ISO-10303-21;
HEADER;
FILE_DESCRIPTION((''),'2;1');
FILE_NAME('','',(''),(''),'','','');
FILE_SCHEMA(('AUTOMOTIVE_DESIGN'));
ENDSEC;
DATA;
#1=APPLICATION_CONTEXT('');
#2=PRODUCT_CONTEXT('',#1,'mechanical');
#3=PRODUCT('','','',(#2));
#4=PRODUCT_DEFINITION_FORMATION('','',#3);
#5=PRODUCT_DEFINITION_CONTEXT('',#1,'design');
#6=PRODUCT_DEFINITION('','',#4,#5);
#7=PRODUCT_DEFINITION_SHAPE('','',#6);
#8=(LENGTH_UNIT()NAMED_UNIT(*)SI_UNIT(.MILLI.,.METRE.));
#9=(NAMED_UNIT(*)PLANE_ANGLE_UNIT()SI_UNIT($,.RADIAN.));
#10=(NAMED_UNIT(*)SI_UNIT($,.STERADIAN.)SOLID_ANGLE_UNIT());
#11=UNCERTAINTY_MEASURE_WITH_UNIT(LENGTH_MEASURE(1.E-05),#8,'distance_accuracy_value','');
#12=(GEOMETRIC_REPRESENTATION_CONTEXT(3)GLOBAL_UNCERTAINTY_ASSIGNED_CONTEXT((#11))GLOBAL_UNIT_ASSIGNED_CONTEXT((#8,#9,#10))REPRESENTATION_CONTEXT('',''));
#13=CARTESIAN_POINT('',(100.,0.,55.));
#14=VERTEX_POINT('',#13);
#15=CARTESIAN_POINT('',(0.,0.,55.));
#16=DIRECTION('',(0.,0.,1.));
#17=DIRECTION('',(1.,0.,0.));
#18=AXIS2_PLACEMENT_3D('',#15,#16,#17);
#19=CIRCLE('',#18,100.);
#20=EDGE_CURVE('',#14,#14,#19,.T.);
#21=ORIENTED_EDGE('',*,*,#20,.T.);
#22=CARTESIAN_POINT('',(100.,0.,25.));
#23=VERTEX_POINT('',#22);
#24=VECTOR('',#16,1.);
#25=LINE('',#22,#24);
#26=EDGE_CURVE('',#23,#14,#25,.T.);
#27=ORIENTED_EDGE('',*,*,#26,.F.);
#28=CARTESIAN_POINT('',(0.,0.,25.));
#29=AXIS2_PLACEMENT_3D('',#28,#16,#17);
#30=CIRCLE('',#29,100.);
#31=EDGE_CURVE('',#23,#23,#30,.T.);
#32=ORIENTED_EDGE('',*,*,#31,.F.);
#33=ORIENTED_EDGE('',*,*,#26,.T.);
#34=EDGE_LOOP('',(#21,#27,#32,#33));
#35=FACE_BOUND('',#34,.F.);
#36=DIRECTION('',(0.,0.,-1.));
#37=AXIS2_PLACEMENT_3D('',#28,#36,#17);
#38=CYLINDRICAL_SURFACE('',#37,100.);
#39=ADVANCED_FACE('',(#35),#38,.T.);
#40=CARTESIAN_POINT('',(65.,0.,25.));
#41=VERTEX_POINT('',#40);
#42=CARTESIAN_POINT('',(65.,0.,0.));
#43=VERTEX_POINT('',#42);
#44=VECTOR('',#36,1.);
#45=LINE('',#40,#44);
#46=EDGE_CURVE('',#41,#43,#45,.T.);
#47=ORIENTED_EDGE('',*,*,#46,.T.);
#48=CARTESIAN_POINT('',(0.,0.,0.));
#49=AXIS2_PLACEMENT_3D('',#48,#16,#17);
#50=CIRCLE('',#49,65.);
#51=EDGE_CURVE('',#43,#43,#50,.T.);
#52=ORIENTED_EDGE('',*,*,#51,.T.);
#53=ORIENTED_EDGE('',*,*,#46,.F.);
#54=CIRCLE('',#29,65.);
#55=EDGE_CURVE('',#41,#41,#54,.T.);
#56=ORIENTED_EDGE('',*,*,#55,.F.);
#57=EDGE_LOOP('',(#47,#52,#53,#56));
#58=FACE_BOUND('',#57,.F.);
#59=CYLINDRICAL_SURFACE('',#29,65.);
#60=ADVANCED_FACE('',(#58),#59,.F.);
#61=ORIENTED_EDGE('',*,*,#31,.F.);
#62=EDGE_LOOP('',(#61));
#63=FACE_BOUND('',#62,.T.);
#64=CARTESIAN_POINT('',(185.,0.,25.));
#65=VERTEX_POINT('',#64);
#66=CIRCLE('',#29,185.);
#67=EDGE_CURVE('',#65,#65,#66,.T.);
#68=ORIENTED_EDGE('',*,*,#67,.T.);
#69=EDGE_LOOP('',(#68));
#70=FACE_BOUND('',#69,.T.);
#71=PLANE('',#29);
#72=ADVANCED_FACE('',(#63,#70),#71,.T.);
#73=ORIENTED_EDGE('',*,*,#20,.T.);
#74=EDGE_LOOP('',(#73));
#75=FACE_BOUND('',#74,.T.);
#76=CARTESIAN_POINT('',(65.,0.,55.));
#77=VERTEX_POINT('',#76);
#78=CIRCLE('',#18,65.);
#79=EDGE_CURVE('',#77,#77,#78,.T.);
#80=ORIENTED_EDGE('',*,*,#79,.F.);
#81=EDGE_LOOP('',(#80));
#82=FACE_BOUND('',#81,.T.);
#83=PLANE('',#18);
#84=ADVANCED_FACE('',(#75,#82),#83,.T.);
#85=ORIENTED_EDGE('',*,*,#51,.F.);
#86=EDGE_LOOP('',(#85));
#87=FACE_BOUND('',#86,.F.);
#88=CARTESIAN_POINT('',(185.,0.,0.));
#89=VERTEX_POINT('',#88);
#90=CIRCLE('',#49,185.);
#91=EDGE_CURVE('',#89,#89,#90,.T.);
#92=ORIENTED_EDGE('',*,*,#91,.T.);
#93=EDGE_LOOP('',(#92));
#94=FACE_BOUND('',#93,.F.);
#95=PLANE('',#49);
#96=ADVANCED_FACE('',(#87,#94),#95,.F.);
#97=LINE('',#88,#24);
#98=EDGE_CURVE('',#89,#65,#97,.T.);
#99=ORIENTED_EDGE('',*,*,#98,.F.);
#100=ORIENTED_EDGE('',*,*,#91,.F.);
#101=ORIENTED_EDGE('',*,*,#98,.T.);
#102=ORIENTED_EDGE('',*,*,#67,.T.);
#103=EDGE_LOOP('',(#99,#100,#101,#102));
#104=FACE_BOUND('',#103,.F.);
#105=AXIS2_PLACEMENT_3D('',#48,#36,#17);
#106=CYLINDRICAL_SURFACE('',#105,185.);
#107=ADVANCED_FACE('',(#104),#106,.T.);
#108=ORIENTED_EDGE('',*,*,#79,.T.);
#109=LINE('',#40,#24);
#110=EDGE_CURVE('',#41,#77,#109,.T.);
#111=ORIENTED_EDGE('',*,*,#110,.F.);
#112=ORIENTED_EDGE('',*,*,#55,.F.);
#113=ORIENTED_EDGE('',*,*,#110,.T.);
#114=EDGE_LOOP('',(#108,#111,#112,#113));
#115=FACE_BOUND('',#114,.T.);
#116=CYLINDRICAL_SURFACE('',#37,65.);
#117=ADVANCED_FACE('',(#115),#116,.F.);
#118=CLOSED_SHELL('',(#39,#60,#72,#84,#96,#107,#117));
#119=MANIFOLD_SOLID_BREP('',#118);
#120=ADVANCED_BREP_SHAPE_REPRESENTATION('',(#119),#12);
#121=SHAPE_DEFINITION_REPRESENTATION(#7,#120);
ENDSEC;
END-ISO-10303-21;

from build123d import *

# Parameters (mm, degrees)
F0_R      = 185
F1_DEPTH  = 25
F2_R      = 100
F2_R_2    = 65
F3_DEPTH  = 30
F3_FACE_R = 65
F4_DEPTH  = 25.001


with BuildPart() as f1:
    # F0 (on Top) → F1 (new body)
    with BuildSketch(Plane.XY):
        Circle(F0_R)
    extrude(amount=F1_DEPTH)

    # F2 (on face) → F3 (join)
    with BuildSketch(Plane.XY.offset(25)):
        Circle(F2_R)
        Circle(F2_R_2, mode=Mode.SUBTRACT)
    extrude(amount=F3_DEPTH)

    # F3_face (on face) → F4 (cut, through all)
    with BuildSketch(Plane.XY.offset(25)):
        Circle(F3_FACE_R)
    extrude(amount=-F4_DEPTH, mode=Mode.SUBTRACT)


solid = f1.part
